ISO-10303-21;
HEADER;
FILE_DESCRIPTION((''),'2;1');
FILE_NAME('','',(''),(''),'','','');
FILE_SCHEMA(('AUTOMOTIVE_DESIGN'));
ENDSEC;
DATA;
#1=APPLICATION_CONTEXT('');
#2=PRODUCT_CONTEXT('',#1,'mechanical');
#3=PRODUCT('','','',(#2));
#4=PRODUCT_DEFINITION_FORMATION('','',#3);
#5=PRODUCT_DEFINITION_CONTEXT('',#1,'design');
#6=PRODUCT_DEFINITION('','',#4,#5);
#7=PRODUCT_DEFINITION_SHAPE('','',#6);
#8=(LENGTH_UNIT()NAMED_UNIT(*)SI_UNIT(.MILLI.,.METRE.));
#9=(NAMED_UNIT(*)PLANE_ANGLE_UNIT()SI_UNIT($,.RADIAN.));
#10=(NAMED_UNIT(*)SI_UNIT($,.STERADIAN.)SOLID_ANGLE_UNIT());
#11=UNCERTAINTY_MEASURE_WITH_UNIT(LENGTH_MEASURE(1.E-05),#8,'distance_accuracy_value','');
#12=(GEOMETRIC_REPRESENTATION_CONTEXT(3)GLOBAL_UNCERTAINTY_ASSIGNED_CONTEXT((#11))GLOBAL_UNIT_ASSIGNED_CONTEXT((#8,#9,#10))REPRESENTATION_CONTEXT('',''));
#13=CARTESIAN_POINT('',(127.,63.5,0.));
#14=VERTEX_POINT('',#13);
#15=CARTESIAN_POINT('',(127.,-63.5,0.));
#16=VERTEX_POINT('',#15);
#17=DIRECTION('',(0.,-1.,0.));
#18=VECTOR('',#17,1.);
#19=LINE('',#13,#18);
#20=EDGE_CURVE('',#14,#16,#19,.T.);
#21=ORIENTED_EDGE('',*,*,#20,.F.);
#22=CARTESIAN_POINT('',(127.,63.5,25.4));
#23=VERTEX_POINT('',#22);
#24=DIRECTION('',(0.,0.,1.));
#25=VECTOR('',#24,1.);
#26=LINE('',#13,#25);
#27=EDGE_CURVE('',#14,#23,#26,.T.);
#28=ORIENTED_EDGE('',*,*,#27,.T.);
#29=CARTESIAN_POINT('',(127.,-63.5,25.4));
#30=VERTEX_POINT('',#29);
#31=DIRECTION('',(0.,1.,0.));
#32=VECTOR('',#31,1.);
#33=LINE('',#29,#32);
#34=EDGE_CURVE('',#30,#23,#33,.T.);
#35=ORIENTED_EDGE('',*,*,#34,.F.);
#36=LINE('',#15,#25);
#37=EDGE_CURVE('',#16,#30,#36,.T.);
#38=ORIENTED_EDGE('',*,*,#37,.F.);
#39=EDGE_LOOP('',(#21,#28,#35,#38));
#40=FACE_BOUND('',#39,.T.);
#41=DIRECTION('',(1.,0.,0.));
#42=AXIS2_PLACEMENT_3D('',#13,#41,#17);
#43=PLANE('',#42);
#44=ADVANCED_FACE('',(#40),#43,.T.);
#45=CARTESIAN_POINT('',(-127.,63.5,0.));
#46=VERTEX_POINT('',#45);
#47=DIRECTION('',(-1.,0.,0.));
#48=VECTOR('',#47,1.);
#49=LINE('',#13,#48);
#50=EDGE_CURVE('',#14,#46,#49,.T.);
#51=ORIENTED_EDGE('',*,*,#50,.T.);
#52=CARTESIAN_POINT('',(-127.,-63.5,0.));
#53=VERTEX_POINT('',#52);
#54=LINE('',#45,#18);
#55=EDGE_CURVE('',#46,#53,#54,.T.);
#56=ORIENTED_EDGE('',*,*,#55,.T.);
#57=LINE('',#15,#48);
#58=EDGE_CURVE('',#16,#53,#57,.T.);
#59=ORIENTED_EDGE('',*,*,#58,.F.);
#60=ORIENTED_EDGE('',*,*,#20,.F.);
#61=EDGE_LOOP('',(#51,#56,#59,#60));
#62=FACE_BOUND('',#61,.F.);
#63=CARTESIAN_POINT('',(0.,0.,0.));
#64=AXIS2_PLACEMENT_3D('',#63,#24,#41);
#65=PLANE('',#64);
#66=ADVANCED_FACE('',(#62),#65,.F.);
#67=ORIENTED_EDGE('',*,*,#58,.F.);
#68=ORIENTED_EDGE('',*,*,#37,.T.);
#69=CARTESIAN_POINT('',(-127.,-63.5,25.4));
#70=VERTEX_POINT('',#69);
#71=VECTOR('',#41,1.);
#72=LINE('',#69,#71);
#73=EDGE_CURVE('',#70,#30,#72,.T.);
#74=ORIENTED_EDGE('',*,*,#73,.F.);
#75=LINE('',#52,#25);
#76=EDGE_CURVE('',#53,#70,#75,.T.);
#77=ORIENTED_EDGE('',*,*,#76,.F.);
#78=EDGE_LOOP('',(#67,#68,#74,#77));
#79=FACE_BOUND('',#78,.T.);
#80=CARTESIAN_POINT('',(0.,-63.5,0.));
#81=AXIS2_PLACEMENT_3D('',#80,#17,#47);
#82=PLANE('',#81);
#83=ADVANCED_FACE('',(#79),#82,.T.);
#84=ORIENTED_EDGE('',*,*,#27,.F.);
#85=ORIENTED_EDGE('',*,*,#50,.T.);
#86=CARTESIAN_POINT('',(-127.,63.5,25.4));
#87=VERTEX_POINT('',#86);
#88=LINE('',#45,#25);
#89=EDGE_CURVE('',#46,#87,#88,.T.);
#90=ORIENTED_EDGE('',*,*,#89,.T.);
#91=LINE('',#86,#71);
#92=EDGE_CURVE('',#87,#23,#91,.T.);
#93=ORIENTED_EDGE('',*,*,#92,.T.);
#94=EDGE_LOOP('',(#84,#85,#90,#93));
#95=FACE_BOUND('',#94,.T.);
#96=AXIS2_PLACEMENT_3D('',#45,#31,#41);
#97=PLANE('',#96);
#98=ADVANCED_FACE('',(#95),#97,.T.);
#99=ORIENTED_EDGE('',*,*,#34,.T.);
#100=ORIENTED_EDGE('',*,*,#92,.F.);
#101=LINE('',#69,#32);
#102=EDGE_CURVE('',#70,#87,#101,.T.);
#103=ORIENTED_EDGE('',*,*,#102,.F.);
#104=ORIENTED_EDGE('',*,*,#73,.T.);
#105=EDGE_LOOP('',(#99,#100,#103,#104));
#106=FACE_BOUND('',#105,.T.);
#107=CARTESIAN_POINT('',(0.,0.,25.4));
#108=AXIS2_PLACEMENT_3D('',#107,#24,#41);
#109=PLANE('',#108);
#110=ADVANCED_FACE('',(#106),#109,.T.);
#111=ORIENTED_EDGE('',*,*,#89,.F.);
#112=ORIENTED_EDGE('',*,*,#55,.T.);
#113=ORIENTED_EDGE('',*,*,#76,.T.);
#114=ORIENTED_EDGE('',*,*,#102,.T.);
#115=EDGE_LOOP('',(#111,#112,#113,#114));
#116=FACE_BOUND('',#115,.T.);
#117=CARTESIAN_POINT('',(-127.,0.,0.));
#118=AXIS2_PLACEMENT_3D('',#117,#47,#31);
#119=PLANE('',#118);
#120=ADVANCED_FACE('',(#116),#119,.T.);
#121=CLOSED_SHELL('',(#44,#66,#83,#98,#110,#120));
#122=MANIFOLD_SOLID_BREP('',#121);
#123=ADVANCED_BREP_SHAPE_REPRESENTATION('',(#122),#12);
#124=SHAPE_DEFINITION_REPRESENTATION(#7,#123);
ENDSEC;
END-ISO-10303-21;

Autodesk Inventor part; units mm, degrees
ref_plane "XY Plane" through (0, 0, 0) normal (0, 0, 1) x (1, 0, 0)
sketch "Sketch1" plane through (0, 0, 0) normal (0, 0, 1) x (1, 0, 0)
  line L0 (-127, 63.5) -> (127, 63.5)
  line L1 (127, 63.5) -> (127, -63.5)
  line L2 (127, -63.5) -> (-127, -63.5)
  line L3 (-127, -63.5) -> (-127, 63.5)
  line L4 (0, 88.9) -> (0, -88.9) projected
  line L5 (-177.8, 0) -> (177.8, 0) projected
  dimension "d0" = 254
  dimension "d1" = 127
extrude "Extrusion1" add sketch "Sketch1" along normal blind 25.4
properties material "Steel, Mild"
